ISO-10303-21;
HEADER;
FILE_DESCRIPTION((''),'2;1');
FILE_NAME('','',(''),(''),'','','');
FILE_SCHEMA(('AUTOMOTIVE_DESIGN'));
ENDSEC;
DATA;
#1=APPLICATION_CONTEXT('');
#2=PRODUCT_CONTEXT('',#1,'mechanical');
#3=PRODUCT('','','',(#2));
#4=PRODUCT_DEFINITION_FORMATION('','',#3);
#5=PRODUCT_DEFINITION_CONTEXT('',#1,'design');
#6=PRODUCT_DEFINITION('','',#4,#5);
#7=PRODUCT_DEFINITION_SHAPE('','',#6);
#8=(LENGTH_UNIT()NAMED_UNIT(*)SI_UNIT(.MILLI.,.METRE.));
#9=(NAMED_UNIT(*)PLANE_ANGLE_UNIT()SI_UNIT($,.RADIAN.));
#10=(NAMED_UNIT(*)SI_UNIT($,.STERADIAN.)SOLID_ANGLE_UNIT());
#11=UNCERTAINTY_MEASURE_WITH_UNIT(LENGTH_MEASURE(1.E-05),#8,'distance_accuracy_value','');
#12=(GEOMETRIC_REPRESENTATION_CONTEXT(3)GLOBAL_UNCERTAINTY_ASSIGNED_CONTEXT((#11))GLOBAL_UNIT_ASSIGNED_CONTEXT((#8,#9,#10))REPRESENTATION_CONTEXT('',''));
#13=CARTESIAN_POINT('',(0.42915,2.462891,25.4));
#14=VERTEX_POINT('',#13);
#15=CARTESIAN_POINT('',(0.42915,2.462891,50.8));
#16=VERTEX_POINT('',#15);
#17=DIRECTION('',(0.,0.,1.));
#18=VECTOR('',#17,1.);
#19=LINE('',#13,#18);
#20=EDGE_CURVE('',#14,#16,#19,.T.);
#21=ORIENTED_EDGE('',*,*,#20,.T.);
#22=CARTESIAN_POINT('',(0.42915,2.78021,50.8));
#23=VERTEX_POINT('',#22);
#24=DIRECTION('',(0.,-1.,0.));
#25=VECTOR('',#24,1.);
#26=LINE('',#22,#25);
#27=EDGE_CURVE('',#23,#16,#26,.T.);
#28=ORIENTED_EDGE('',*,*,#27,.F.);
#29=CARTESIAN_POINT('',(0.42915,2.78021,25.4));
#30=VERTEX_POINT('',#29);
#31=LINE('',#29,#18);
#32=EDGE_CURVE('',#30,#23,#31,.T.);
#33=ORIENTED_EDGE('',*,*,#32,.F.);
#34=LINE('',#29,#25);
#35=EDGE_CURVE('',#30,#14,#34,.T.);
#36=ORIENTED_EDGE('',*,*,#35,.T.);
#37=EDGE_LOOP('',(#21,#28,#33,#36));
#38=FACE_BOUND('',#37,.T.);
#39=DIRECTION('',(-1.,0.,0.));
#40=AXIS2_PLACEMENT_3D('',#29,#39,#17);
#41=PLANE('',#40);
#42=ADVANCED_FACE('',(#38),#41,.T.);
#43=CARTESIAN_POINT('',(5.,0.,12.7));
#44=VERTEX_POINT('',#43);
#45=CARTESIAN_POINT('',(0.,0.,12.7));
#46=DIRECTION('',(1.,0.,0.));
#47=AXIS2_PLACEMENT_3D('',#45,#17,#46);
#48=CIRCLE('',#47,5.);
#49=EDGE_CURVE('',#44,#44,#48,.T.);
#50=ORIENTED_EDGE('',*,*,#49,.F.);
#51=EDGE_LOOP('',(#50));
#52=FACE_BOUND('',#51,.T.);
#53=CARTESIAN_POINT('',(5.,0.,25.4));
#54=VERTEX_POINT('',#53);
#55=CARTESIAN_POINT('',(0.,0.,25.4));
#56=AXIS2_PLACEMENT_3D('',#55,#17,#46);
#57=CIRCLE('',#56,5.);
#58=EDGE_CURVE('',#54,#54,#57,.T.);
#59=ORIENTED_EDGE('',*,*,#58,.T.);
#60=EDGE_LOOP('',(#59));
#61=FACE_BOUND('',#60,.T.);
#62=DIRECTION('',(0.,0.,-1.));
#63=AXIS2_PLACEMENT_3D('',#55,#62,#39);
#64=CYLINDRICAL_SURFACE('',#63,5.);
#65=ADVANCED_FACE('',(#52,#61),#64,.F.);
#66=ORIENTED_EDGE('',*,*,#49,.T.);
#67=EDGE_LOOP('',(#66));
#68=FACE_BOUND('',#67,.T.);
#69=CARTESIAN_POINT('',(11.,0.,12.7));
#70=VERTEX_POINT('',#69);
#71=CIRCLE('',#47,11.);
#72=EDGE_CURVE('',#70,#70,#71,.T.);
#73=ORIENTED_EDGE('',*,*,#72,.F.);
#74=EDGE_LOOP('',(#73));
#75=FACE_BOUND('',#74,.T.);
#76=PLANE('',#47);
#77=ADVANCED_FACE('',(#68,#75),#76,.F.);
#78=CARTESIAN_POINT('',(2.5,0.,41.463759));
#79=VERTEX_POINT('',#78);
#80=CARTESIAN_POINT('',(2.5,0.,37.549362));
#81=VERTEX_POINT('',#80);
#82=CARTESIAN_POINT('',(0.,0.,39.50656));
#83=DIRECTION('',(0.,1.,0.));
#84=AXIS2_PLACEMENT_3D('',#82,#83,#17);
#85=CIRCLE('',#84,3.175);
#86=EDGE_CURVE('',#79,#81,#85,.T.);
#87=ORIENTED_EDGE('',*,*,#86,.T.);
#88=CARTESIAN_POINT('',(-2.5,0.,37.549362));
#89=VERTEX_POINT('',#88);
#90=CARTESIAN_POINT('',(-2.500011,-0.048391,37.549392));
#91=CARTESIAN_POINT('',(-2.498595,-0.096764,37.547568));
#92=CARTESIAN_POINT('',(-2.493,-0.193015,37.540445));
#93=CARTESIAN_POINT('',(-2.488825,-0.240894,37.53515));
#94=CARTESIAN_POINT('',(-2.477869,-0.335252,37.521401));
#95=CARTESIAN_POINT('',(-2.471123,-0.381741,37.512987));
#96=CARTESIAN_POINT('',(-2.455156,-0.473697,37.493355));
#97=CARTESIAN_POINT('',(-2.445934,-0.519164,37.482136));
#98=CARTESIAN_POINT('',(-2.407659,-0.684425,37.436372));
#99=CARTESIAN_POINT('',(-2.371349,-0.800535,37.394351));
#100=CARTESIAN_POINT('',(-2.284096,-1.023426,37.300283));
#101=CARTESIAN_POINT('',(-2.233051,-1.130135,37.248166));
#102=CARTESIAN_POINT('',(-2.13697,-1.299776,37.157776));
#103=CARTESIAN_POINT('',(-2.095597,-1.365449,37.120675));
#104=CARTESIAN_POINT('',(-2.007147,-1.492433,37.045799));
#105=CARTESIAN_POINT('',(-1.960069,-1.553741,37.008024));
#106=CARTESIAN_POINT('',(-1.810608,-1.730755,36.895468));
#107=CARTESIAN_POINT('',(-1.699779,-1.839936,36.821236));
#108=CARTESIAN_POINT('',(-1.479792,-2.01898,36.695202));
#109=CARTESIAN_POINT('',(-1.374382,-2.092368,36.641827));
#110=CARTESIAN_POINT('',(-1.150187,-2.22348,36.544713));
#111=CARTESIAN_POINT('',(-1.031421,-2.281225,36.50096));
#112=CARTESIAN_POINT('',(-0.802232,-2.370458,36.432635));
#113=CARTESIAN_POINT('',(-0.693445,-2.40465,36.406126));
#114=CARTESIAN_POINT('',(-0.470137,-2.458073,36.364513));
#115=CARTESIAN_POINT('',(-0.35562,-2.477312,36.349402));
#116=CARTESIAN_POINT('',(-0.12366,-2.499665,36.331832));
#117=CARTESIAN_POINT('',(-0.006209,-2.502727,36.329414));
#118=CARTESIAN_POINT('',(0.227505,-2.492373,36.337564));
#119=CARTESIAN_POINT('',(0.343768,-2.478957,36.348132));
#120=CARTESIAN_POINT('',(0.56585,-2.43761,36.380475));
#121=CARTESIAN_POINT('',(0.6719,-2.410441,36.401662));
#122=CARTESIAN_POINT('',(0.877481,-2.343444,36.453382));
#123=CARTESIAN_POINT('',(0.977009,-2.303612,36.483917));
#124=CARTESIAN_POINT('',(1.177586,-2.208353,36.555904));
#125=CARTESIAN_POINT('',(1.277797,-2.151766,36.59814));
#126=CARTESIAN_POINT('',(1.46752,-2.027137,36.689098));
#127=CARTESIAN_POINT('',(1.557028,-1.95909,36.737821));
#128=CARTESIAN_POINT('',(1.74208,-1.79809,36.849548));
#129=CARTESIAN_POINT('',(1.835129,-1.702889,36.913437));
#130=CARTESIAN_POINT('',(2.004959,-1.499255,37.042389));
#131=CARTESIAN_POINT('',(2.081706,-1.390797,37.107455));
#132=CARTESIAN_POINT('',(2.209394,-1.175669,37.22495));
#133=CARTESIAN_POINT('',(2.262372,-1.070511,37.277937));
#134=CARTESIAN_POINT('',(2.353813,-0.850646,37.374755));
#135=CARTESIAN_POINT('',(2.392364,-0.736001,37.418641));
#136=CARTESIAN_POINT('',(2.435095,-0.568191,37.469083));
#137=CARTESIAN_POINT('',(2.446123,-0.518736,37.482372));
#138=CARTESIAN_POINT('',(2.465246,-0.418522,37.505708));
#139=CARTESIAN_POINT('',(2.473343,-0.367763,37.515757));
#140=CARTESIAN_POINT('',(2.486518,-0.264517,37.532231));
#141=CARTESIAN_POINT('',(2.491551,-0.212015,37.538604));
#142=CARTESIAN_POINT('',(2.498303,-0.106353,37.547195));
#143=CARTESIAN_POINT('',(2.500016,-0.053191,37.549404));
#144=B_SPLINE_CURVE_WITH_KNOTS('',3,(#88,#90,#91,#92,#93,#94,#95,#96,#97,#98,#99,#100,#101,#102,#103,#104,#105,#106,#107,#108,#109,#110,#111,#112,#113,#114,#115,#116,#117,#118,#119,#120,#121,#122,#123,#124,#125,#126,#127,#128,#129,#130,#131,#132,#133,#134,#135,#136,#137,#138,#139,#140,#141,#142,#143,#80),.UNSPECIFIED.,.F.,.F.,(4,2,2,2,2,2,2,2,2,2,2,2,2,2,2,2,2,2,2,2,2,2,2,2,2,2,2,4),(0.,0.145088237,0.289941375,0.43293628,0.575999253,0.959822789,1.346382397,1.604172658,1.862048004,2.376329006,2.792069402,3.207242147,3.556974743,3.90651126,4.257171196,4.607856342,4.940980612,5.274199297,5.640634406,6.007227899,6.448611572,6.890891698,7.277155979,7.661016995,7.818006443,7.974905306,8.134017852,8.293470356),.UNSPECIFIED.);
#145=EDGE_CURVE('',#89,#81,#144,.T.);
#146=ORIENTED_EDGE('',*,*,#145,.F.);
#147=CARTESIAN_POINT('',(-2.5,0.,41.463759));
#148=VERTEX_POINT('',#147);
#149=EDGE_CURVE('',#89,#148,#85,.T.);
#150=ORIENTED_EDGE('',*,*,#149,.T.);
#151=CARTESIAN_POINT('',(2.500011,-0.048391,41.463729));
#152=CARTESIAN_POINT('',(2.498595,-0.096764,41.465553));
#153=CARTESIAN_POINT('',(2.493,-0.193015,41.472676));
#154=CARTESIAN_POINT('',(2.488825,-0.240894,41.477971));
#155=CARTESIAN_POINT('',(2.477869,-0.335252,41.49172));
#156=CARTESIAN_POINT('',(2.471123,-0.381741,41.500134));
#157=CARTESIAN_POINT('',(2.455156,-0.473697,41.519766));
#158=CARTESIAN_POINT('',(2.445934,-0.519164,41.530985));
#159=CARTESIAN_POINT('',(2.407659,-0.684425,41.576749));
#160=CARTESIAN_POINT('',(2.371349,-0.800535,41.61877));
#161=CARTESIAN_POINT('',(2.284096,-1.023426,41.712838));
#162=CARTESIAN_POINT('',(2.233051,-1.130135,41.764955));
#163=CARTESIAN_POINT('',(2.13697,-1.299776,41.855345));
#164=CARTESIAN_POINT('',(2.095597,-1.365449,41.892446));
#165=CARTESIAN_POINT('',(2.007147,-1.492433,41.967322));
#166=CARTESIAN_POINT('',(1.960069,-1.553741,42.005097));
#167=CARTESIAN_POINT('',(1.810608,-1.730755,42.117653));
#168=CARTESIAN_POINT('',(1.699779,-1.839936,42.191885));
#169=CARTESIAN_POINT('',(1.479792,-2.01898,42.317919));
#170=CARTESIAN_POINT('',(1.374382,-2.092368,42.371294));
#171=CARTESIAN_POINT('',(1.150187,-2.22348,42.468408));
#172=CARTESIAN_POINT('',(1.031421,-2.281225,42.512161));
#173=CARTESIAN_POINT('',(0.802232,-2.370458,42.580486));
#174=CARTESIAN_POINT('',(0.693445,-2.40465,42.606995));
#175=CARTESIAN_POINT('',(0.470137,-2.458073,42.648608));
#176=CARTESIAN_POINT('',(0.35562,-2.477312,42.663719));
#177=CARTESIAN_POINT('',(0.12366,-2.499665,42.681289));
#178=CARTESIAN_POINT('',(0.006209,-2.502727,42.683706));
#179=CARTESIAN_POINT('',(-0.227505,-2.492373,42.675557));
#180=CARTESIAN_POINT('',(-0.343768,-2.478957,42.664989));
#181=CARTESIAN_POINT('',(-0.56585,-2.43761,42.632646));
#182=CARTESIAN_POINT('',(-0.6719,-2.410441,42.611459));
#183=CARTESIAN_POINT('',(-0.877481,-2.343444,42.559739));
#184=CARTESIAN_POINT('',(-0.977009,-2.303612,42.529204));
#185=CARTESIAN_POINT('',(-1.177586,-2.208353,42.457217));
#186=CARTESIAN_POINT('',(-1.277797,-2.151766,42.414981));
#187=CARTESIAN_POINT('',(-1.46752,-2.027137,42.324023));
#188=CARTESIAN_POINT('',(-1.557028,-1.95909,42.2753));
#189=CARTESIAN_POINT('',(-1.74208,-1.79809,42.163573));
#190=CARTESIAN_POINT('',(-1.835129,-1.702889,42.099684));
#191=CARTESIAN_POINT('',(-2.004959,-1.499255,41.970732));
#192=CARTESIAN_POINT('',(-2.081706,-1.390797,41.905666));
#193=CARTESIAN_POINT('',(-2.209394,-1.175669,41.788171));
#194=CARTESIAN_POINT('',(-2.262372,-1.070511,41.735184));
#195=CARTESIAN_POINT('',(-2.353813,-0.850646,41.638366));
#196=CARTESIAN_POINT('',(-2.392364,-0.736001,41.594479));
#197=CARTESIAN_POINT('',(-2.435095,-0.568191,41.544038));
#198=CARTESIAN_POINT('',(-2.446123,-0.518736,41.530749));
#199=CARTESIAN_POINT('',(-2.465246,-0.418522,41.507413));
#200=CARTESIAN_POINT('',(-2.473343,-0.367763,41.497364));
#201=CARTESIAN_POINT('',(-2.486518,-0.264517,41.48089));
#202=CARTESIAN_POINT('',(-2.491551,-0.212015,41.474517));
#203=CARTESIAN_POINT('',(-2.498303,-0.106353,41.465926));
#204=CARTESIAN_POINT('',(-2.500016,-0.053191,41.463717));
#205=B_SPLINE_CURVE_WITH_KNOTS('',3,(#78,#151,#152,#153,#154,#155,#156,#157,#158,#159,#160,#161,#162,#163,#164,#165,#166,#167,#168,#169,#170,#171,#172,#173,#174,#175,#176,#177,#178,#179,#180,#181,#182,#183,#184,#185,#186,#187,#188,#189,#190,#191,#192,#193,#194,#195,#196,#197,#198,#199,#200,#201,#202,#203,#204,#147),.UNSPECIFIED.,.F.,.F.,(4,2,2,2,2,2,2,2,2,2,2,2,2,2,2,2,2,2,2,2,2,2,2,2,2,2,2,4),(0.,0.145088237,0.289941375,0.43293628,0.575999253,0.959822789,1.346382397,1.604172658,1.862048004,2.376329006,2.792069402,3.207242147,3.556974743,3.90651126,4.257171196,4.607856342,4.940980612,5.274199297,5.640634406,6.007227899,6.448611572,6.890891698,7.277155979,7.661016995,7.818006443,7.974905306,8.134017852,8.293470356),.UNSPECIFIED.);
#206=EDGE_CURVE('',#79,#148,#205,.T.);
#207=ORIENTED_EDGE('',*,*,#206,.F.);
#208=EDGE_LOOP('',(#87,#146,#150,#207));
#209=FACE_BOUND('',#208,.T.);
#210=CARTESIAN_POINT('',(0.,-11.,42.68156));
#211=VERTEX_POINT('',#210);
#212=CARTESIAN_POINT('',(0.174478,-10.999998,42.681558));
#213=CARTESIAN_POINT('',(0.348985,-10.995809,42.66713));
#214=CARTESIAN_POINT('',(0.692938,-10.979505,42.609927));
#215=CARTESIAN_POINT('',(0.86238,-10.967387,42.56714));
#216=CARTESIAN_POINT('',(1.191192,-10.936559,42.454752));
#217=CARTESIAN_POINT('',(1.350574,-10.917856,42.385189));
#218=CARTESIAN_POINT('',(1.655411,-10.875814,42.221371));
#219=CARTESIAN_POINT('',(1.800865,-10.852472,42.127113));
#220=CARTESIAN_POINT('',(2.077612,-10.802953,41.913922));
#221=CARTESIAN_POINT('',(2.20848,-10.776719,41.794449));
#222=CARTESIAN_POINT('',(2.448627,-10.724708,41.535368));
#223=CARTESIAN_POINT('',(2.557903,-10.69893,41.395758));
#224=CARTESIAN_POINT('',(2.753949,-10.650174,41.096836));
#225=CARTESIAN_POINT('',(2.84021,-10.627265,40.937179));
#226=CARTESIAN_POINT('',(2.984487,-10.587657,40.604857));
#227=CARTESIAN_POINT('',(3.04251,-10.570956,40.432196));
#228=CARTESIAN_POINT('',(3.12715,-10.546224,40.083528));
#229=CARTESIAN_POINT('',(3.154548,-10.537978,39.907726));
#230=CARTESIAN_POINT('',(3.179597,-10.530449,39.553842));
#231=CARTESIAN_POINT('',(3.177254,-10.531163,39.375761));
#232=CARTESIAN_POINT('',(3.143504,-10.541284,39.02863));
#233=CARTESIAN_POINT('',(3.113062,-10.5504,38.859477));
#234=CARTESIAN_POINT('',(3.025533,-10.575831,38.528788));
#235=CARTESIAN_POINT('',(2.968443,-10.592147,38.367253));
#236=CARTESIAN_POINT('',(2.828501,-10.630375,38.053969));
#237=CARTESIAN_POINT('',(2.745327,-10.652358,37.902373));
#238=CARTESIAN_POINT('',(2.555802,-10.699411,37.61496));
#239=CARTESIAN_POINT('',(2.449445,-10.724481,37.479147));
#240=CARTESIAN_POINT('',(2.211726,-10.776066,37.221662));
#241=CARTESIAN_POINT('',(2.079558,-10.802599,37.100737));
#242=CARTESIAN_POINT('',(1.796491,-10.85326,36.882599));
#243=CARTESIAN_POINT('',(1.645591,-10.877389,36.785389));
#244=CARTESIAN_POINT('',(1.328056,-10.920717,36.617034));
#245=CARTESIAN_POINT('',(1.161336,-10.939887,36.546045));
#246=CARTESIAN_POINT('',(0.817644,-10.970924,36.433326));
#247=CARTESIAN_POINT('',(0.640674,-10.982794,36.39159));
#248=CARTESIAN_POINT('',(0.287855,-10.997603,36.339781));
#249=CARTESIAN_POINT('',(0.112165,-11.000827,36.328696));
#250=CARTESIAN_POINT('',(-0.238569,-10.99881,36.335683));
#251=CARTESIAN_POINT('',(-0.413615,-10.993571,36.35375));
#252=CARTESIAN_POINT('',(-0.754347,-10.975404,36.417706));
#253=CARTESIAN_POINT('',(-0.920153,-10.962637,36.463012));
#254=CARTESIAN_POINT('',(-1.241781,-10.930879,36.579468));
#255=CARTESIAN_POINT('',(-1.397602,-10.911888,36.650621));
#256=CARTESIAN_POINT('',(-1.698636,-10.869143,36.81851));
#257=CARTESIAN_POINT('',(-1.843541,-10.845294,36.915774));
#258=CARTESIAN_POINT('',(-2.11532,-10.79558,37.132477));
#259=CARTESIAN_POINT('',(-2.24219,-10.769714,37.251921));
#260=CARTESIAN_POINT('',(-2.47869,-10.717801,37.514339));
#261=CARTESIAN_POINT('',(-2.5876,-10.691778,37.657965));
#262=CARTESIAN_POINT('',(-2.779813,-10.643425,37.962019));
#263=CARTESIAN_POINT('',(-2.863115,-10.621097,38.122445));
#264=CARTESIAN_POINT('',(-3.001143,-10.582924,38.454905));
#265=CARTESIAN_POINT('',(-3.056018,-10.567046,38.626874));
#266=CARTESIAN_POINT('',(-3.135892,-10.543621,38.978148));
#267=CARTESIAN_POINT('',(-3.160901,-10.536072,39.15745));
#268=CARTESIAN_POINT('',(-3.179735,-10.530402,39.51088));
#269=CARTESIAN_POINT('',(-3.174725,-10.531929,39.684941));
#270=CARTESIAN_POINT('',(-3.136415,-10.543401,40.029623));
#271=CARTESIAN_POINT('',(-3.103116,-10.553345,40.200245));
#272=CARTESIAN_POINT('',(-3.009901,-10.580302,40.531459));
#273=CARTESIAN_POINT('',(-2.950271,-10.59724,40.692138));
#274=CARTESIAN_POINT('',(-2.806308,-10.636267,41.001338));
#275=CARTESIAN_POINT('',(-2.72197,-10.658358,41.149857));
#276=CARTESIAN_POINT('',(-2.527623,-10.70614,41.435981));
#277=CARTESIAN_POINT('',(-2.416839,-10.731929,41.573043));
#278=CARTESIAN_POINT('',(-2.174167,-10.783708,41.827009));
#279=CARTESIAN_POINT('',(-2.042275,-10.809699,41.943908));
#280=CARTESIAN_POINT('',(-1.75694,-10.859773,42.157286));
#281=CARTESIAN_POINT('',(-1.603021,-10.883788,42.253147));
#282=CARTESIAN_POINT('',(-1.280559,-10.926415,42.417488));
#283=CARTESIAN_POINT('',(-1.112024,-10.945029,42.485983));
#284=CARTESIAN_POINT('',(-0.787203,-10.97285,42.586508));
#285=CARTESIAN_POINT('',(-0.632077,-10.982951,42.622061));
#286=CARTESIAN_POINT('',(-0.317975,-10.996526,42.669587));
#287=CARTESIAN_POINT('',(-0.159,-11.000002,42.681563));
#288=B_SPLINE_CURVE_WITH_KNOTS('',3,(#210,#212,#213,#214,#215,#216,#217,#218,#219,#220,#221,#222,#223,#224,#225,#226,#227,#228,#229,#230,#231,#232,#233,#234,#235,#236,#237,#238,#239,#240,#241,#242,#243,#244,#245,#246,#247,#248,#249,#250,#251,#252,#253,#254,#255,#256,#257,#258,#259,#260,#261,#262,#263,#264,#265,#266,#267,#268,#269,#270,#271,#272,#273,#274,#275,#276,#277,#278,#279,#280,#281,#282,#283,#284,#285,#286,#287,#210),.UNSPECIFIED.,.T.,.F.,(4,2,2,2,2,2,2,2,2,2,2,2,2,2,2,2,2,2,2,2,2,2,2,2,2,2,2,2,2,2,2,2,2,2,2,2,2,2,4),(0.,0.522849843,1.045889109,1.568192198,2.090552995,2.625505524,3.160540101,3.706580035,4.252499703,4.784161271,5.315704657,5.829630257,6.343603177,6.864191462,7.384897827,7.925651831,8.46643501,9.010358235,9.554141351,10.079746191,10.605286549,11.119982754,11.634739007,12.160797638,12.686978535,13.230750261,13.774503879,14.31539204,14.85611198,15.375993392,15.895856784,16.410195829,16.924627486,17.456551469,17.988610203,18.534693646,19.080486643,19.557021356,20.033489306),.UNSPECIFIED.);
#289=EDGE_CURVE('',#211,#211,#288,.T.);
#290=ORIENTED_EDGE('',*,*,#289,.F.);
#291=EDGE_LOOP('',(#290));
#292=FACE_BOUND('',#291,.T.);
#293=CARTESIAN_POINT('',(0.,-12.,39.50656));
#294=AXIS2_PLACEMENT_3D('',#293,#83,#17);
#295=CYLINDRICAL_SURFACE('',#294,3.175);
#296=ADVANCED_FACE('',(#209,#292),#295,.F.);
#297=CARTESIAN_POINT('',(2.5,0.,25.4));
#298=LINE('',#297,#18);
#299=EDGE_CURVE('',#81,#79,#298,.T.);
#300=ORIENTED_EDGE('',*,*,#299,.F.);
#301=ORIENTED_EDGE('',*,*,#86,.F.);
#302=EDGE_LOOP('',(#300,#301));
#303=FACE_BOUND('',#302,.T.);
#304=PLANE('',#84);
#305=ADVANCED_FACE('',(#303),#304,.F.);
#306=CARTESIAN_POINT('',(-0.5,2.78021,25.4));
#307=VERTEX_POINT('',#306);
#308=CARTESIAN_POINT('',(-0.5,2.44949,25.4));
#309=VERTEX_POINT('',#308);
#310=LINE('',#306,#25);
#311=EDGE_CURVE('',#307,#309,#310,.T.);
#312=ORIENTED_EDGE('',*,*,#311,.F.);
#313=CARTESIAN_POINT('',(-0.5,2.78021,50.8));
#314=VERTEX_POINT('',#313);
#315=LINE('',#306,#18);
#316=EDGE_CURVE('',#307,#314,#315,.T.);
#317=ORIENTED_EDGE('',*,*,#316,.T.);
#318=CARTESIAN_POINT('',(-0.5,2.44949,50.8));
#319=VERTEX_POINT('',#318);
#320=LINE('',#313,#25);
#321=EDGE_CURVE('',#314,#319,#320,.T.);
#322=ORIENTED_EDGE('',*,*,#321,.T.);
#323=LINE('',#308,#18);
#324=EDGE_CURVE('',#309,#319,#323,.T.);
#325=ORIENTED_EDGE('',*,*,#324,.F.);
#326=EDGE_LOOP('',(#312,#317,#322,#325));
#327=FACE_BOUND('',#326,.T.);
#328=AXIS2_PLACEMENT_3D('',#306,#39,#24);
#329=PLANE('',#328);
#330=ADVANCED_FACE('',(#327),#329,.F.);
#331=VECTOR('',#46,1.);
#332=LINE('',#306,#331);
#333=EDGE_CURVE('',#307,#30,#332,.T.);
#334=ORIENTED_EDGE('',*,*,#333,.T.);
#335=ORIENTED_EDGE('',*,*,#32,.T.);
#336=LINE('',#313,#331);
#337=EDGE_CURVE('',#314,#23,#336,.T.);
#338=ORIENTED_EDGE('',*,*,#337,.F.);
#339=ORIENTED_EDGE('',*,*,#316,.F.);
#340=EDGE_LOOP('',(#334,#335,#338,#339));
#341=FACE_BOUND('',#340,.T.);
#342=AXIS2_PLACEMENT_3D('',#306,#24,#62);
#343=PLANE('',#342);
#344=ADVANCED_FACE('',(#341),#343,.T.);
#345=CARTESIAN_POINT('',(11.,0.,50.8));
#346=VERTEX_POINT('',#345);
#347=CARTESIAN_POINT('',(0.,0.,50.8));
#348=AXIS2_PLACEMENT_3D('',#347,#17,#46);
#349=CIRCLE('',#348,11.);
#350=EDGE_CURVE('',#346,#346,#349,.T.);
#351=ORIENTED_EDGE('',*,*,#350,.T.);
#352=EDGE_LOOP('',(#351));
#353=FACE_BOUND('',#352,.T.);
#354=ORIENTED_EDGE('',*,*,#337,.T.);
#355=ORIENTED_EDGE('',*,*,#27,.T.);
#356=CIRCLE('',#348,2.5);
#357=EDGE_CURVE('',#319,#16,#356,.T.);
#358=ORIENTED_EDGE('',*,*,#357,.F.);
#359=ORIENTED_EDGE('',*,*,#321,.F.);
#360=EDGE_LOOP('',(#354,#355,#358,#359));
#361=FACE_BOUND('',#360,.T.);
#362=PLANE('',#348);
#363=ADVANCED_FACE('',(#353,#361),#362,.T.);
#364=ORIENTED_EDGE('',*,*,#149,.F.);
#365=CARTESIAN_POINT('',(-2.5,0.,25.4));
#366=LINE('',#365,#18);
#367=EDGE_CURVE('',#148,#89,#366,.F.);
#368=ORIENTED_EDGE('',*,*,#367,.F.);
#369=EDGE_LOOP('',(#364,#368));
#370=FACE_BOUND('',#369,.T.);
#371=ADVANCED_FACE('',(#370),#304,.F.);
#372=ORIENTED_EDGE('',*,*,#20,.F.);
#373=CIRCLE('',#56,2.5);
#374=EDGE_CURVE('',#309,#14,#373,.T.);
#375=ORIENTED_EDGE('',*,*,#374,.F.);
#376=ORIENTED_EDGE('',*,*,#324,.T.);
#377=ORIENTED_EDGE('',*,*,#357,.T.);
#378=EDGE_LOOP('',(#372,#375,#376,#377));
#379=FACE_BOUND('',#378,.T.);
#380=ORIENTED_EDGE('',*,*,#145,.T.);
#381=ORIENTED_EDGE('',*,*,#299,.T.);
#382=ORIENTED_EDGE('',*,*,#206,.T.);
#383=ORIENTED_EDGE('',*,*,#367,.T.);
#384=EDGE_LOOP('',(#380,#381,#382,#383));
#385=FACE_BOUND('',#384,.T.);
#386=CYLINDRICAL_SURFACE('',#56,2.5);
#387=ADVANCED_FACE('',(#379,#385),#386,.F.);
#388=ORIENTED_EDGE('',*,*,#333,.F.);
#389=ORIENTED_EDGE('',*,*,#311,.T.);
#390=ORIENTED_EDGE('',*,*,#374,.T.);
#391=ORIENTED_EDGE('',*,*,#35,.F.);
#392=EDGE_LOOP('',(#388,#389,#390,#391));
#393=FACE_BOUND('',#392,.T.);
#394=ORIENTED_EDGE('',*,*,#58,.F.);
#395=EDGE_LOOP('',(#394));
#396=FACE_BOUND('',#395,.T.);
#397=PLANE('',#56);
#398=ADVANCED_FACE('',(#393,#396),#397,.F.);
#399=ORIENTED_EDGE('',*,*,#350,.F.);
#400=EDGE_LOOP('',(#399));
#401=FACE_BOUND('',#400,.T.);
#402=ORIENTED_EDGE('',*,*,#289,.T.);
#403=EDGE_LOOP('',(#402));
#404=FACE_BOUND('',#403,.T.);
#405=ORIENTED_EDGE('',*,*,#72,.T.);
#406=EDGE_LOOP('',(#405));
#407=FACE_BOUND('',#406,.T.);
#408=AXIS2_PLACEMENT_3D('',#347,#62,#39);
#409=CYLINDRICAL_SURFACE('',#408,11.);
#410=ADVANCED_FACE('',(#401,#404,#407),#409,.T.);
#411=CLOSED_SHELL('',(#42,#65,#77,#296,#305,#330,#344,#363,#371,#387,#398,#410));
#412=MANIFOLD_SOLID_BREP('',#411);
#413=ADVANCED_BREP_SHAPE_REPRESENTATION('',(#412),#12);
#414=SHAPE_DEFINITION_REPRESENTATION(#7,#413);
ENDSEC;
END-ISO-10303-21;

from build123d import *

# Parameters (mm, degrees)
SKETCH15_R               = 11
BOSS_EXTRUDE4_DEPTH      = 50.8
CUT_EXTRUDE9_DEPTH       = 25.4
CUT_EXTRUDE9_DEPTH_BACK  = 50.8
SKETCH16_R               = 5
SKETCH17_R               = 2.5
CUT_EXTRUDE10_DEPTH      = 25.4
SKETCH20_W               = 0.929150013
SKETCH20_H               = 0.563484587
CUT_EXTRUDE11_DEPTH      = 25.4
SKETCH22_R               = 3.175
CUT_EXTRUDE14_DEPTH      = 12
CUT_EXTRUDE15_DEPTH      = 12.7
CUT_EXTRUDE15_DEPTH_BACK = 10
SKETCH33_R               = 11


with BuildPart() as part:
    # Sketch15 → Boss-Extrude4 (new body)
    with BuildSketch(Plane.XY):
        Circle(SKETCH15_R)
    extrude(amount=BOSS_EXTRUDE4_DEPTH)

    # Sketch16 → Cut-Extrude9 (cut, two sides: drawn at the far end of the back side and taken through both)
    with BuildSketch(Plane.XY.offset(-CUT_EXTRUDE9_DEPTH_BACK)):
        Circle(SKETCH16_R)
    extrude(amount=CUT_EXTRUDE9_DEPTH + CUT_EXTRUDE9_DEPTH_BACK, mode=Mode.SUBTRACT)

    # Sketch17 → Cut-Extrude10 (cut)
    with BuildSketch(Plane.XY.offset(50.8)):
        Circle(SKETCH17_R)
    extrude(amount=-CUT_EXTRUDE10_DEPTH, mode=Mode.SUBTRACT)

    # Sketch20 → Cut-Extrude11 (cut)
    with BuildSketch(Plane.XY.offset(50.8)):
        with Locations((-0.035424993, 2.498467219)):
            Rectangle(SKETCH20_W, SKETCH20_H)
    extrude(amount=-CUT_EXTRUDE11_DEPTH, mode=Mode.SUBTRACT)

    # Sketch22 → Cut-Extrude14 (cut)
    with BuildSketch(Plane(origin=(0, 0, 0), x_dir=(1, 0, 0), z_dir=(0, 1, 0))):
        with Locations(Location((0, -39.506560459, 0), (0, 0, 270))):
            Circle(SKETCH22_R)
    extrude(amount=-CUT_EXTRUDE14_DEPTH, mode=Mode.SUBTRACT)

    # Sketch33 → Cut-Extrude15 (cut, two sides: drawn at the far end of the back side and taken through both)
    with BuildSketch(Plane.XY.offset(-CUT_EXTRUDE15_DEPTH_BACK)):
        Circle(SKETCH33_R)
    extrude(amount=CUT_EXTRUDE15_DEPTH + CUT_EXTRUDE15_DEPTH_BACK, mode=Mode.SUBTRACT)


solid = part.part
